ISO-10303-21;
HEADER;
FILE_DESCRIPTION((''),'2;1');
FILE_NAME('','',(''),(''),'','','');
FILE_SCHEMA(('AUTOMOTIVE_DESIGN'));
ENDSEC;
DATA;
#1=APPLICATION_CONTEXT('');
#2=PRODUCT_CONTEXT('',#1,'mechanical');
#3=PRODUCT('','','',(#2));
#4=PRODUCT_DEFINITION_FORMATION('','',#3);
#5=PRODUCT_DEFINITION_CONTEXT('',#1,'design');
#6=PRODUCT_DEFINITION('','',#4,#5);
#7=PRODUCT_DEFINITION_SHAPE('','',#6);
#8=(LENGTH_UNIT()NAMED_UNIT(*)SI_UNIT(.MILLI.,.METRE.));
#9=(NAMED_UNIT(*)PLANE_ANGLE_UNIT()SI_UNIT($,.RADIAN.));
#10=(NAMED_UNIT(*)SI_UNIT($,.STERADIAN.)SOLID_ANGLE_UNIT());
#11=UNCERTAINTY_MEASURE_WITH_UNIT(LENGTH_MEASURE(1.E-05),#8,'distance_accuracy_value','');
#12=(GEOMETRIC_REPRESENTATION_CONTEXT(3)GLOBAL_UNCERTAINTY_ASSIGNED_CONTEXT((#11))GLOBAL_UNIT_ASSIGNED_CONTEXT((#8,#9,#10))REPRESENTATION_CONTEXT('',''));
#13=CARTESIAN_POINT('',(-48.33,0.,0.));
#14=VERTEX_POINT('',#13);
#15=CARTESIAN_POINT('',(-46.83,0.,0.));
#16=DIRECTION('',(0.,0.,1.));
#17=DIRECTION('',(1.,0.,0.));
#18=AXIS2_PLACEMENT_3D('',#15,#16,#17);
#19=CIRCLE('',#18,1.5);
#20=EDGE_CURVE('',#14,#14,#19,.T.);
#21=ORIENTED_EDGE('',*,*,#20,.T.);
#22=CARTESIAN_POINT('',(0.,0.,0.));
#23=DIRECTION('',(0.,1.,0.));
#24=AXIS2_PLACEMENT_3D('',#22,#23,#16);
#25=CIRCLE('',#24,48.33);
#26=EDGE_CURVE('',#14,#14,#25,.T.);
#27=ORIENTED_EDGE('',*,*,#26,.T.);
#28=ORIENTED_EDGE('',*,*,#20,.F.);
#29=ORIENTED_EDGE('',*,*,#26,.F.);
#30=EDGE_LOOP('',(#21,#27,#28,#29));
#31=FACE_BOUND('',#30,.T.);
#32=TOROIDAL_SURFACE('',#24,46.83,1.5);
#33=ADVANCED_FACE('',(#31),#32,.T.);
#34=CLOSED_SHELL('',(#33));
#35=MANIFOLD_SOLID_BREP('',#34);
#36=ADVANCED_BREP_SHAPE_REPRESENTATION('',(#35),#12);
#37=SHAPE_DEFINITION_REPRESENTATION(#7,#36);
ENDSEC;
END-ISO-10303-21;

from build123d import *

# Parameters (mm, degrees)
SKETCH2_R = 1.5


with BuildPart() as part:
    # Sweep1: sweep along a path in Sketch1
    with BuildLine(Plane(origin=(0, 0, 0), x_dir=(1, 0, 0), z_dir=(0, 1, 0))) as sweep1_path:
        CenterArc((0, 0), 46.83, 0, 360)
    # Sketch2 → Sweep1 (sweep)
    with BuildSketch(Plane.XY):
        with Locations((-46.83, 0)):
            Circle(SKETCH2_R)
    sweep(path=sweep1_path.line)


solid = part.part
